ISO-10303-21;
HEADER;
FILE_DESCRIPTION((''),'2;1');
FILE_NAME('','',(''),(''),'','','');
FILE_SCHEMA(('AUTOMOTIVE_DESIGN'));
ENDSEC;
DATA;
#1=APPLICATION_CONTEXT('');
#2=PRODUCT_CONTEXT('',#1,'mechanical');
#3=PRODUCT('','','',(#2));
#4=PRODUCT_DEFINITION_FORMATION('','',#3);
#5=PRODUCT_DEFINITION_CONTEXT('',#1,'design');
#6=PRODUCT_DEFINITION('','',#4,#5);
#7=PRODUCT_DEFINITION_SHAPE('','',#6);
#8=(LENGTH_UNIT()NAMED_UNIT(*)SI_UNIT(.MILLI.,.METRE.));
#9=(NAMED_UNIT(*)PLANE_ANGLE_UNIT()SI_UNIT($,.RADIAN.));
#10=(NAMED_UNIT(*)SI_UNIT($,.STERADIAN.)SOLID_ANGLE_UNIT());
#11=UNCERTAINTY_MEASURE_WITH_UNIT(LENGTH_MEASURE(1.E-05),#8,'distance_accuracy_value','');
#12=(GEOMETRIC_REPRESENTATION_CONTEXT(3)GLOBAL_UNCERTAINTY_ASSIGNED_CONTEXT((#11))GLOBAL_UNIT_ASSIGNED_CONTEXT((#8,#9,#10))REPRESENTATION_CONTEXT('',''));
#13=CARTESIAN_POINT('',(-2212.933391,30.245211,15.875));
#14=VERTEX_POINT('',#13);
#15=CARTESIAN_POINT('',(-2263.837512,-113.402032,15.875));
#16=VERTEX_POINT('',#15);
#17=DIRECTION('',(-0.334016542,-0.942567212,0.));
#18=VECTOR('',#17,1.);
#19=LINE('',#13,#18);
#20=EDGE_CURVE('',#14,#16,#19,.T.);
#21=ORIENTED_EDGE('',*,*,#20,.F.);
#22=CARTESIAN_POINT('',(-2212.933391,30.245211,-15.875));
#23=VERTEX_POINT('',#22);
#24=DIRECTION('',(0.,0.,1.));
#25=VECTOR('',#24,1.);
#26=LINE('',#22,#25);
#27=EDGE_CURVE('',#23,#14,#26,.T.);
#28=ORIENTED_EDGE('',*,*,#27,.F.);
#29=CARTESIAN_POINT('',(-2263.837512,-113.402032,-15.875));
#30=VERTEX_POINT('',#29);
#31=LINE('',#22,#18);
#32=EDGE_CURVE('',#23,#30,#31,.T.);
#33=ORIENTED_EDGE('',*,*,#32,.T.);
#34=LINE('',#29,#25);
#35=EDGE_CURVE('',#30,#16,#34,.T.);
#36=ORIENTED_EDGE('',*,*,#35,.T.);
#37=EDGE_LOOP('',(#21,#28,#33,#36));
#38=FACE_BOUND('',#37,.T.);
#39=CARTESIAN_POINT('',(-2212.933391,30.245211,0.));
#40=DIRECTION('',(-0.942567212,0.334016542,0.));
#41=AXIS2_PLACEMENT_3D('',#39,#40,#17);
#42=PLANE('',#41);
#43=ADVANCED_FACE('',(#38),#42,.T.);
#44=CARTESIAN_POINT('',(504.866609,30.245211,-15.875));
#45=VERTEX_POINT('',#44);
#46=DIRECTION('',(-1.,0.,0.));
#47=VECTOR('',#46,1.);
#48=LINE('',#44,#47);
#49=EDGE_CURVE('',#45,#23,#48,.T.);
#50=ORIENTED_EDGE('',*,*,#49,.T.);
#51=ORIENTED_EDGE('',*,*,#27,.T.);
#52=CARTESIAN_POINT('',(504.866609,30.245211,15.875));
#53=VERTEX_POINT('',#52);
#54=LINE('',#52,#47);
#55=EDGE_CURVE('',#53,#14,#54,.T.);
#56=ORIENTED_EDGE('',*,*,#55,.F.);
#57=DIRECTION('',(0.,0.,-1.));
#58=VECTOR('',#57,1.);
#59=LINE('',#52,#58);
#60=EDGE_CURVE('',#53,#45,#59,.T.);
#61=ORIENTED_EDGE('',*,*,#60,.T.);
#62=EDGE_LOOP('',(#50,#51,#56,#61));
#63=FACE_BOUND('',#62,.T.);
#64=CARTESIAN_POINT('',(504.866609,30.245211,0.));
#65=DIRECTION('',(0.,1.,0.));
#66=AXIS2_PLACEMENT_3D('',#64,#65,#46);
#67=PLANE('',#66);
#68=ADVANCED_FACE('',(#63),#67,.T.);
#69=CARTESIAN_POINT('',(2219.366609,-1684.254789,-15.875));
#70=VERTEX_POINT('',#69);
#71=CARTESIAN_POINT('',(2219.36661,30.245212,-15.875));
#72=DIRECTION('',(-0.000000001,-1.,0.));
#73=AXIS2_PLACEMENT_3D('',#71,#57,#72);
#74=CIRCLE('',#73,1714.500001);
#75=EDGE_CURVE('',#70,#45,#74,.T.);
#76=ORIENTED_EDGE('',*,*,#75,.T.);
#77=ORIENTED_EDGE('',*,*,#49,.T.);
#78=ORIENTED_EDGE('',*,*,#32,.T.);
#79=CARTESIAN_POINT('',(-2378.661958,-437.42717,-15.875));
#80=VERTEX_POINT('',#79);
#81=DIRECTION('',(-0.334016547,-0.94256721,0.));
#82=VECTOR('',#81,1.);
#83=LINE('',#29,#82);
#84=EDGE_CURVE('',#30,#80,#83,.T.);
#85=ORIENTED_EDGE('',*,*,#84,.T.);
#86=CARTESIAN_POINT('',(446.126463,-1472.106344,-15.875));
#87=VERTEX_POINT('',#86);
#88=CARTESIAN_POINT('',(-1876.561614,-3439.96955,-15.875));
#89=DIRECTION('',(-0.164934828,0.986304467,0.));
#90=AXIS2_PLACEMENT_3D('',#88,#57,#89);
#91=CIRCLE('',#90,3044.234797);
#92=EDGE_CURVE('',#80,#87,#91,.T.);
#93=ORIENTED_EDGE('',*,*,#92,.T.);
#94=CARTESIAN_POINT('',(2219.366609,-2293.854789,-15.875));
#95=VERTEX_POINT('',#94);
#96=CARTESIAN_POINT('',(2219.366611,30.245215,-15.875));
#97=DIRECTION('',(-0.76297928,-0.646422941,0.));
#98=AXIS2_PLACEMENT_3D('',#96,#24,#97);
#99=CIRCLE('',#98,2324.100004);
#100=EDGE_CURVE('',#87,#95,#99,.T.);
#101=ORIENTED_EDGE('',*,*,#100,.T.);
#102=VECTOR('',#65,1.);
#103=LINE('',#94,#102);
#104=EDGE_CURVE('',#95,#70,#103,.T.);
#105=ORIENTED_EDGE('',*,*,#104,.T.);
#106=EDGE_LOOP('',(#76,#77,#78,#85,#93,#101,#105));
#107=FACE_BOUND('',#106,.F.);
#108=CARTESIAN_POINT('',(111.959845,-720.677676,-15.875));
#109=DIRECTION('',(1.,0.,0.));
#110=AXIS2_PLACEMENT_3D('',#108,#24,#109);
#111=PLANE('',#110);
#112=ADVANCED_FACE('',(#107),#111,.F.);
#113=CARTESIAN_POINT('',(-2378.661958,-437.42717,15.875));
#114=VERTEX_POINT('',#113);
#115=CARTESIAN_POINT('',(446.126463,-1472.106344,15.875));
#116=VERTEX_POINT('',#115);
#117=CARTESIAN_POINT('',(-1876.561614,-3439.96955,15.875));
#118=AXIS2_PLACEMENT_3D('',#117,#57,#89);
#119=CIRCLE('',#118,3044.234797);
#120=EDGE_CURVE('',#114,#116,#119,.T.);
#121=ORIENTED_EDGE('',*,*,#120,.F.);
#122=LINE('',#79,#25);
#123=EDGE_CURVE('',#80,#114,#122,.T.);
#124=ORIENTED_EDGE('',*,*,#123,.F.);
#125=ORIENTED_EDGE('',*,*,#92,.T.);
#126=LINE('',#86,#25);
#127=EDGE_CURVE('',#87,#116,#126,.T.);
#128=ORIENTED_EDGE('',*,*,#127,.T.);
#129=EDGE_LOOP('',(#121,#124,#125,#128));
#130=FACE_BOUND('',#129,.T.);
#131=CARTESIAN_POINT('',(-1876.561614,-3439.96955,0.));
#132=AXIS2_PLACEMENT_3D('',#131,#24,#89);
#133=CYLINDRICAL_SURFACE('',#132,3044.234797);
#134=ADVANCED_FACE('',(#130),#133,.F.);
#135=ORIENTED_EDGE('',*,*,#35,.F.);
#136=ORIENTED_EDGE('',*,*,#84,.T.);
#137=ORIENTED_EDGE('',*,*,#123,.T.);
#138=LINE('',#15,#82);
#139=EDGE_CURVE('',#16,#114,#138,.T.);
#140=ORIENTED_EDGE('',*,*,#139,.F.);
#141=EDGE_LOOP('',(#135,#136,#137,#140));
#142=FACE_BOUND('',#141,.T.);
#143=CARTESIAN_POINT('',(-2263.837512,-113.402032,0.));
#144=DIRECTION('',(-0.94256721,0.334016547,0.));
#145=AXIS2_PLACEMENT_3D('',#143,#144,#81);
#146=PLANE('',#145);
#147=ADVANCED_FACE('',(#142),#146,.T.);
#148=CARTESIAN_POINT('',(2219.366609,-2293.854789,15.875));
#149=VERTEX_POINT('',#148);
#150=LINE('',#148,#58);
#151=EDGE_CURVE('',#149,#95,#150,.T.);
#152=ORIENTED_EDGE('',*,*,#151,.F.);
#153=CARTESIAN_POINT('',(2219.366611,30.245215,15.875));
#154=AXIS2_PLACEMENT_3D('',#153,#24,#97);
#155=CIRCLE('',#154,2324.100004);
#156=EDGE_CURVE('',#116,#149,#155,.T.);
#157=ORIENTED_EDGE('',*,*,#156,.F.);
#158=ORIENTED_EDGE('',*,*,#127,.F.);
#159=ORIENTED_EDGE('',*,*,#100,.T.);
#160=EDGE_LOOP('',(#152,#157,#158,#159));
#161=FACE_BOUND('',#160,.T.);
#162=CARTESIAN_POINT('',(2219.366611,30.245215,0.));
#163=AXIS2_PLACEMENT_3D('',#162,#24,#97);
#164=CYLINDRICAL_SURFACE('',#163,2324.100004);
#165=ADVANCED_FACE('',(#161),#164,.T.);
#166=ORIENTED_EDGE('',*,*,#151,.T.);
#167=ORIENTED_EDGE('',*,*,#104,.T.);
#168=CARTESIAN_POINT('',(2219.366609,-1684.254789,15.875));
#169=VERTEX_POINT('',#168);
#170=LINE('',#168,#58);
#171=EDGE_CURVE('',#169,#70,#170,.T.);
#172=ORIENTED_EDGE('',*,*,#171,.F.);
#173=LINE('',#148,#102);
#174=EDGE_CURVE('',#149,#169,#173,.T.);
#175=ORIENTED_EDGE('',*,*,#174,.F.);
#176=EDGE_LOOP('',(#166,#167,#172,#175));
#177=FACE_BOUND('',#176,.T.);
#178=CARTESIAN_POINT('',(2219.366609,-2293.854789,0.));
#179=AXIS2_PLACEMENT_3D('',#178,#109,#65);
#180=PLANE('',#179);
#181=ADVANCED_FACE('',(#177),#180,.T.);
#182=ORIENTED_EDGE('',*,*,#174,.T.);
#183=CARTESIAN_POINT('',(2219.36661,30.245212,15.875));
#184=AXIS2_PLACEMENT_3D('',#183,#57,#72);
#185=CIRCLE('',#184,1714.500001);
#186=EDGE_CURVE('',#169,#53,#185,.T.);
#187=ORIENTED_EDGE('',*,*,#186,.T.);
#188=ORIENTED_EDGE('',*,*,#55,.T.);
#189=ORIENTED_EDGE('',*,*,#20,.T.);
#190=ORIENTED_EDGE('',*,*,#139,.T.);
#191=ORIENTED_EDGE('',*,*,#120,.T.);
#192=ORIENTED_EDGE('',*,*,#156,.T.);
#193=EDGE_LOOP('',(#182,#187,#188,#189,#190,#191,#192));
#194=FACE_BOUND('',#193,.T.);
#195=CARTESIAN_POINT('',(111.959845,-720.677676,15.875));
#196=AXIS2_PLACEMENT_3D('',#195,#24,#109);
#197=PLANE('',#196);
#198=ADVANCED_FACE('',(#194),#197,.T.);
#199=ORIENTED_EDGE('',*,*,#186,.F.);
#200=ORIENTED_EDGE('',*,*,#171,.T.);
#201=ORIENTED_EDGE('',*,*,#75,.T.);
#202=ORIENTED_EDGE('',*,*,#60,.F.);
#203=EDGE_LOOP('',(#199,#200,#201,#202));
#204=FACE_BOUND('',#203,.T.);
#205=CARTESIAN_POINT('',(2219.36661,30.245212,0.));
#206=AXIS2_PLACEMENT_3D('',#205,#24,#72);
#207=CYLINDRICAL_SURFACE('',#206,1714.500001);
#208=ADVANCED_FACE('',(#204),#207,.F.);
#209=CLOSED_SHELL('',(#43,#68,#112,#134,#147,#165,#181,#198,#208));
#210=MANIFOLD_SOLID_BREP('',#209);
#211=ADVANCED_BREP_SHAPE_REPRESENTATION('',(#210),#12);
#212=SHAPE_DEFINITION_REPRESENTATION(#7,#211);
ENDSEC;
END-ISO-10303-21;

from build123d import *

# Parameters (mm, degrees)
F1_DEPTH = 15.875


with BuildPart() as f1:
    # F0 (on Top) → F1 (new body, symmetric)
    with BuildSketch(Plane.XY):
        with BuildLine():
            Line((504.866609, 30.245211), (-2212.933391, 30.245211))
            Line((-2212.933391, 30.245211), (-2263.837512, -113.402032))
            ThreePointArc((-2263.837512, -113.402032), (-646.767499, -324.902856), (678.682548, -1275.076631))
            ThreePointArc((678.682548, -1275.076631), (1370.327125, -1801.88591), (2219.366609, -1989.054789))
            Line((2219.366609, -1989.054789), (2219.366609, -1684.254789))
            ThreePointArc((2219.366609, -1684.254789), (1007.032033, -1182.089365), (504.866609, 30.245211))
        make_face()
        with BuildLine():
            ThreePointArc((678.682548, -1275.076631), (-646.767499, -324.902856), (-2263.837512, -113.402032))
            Line((-2263.837512, -113.402032), (-2378.661958, -437.42717))
            ThreePointArc((-2378.661958, -437.42717), (-829.530014, -581.457642), (446.126463, -1472.106344))
            ThreePointArc((446.126463, -1472.106344), (1242.170221, -2078.434003), (2219.366609, -2293.854789))
            Line((2219.366609, -2293.854789), (2219.366609, -1989.054789))
            ThreePointArc((2219.366609, -1989.054789), (1370.327125, -1801.88591), (678.682548, -1275.076631))
        make_face()
    extrude(amount=F1_DEPTH, both=True)


solid = f1.part
